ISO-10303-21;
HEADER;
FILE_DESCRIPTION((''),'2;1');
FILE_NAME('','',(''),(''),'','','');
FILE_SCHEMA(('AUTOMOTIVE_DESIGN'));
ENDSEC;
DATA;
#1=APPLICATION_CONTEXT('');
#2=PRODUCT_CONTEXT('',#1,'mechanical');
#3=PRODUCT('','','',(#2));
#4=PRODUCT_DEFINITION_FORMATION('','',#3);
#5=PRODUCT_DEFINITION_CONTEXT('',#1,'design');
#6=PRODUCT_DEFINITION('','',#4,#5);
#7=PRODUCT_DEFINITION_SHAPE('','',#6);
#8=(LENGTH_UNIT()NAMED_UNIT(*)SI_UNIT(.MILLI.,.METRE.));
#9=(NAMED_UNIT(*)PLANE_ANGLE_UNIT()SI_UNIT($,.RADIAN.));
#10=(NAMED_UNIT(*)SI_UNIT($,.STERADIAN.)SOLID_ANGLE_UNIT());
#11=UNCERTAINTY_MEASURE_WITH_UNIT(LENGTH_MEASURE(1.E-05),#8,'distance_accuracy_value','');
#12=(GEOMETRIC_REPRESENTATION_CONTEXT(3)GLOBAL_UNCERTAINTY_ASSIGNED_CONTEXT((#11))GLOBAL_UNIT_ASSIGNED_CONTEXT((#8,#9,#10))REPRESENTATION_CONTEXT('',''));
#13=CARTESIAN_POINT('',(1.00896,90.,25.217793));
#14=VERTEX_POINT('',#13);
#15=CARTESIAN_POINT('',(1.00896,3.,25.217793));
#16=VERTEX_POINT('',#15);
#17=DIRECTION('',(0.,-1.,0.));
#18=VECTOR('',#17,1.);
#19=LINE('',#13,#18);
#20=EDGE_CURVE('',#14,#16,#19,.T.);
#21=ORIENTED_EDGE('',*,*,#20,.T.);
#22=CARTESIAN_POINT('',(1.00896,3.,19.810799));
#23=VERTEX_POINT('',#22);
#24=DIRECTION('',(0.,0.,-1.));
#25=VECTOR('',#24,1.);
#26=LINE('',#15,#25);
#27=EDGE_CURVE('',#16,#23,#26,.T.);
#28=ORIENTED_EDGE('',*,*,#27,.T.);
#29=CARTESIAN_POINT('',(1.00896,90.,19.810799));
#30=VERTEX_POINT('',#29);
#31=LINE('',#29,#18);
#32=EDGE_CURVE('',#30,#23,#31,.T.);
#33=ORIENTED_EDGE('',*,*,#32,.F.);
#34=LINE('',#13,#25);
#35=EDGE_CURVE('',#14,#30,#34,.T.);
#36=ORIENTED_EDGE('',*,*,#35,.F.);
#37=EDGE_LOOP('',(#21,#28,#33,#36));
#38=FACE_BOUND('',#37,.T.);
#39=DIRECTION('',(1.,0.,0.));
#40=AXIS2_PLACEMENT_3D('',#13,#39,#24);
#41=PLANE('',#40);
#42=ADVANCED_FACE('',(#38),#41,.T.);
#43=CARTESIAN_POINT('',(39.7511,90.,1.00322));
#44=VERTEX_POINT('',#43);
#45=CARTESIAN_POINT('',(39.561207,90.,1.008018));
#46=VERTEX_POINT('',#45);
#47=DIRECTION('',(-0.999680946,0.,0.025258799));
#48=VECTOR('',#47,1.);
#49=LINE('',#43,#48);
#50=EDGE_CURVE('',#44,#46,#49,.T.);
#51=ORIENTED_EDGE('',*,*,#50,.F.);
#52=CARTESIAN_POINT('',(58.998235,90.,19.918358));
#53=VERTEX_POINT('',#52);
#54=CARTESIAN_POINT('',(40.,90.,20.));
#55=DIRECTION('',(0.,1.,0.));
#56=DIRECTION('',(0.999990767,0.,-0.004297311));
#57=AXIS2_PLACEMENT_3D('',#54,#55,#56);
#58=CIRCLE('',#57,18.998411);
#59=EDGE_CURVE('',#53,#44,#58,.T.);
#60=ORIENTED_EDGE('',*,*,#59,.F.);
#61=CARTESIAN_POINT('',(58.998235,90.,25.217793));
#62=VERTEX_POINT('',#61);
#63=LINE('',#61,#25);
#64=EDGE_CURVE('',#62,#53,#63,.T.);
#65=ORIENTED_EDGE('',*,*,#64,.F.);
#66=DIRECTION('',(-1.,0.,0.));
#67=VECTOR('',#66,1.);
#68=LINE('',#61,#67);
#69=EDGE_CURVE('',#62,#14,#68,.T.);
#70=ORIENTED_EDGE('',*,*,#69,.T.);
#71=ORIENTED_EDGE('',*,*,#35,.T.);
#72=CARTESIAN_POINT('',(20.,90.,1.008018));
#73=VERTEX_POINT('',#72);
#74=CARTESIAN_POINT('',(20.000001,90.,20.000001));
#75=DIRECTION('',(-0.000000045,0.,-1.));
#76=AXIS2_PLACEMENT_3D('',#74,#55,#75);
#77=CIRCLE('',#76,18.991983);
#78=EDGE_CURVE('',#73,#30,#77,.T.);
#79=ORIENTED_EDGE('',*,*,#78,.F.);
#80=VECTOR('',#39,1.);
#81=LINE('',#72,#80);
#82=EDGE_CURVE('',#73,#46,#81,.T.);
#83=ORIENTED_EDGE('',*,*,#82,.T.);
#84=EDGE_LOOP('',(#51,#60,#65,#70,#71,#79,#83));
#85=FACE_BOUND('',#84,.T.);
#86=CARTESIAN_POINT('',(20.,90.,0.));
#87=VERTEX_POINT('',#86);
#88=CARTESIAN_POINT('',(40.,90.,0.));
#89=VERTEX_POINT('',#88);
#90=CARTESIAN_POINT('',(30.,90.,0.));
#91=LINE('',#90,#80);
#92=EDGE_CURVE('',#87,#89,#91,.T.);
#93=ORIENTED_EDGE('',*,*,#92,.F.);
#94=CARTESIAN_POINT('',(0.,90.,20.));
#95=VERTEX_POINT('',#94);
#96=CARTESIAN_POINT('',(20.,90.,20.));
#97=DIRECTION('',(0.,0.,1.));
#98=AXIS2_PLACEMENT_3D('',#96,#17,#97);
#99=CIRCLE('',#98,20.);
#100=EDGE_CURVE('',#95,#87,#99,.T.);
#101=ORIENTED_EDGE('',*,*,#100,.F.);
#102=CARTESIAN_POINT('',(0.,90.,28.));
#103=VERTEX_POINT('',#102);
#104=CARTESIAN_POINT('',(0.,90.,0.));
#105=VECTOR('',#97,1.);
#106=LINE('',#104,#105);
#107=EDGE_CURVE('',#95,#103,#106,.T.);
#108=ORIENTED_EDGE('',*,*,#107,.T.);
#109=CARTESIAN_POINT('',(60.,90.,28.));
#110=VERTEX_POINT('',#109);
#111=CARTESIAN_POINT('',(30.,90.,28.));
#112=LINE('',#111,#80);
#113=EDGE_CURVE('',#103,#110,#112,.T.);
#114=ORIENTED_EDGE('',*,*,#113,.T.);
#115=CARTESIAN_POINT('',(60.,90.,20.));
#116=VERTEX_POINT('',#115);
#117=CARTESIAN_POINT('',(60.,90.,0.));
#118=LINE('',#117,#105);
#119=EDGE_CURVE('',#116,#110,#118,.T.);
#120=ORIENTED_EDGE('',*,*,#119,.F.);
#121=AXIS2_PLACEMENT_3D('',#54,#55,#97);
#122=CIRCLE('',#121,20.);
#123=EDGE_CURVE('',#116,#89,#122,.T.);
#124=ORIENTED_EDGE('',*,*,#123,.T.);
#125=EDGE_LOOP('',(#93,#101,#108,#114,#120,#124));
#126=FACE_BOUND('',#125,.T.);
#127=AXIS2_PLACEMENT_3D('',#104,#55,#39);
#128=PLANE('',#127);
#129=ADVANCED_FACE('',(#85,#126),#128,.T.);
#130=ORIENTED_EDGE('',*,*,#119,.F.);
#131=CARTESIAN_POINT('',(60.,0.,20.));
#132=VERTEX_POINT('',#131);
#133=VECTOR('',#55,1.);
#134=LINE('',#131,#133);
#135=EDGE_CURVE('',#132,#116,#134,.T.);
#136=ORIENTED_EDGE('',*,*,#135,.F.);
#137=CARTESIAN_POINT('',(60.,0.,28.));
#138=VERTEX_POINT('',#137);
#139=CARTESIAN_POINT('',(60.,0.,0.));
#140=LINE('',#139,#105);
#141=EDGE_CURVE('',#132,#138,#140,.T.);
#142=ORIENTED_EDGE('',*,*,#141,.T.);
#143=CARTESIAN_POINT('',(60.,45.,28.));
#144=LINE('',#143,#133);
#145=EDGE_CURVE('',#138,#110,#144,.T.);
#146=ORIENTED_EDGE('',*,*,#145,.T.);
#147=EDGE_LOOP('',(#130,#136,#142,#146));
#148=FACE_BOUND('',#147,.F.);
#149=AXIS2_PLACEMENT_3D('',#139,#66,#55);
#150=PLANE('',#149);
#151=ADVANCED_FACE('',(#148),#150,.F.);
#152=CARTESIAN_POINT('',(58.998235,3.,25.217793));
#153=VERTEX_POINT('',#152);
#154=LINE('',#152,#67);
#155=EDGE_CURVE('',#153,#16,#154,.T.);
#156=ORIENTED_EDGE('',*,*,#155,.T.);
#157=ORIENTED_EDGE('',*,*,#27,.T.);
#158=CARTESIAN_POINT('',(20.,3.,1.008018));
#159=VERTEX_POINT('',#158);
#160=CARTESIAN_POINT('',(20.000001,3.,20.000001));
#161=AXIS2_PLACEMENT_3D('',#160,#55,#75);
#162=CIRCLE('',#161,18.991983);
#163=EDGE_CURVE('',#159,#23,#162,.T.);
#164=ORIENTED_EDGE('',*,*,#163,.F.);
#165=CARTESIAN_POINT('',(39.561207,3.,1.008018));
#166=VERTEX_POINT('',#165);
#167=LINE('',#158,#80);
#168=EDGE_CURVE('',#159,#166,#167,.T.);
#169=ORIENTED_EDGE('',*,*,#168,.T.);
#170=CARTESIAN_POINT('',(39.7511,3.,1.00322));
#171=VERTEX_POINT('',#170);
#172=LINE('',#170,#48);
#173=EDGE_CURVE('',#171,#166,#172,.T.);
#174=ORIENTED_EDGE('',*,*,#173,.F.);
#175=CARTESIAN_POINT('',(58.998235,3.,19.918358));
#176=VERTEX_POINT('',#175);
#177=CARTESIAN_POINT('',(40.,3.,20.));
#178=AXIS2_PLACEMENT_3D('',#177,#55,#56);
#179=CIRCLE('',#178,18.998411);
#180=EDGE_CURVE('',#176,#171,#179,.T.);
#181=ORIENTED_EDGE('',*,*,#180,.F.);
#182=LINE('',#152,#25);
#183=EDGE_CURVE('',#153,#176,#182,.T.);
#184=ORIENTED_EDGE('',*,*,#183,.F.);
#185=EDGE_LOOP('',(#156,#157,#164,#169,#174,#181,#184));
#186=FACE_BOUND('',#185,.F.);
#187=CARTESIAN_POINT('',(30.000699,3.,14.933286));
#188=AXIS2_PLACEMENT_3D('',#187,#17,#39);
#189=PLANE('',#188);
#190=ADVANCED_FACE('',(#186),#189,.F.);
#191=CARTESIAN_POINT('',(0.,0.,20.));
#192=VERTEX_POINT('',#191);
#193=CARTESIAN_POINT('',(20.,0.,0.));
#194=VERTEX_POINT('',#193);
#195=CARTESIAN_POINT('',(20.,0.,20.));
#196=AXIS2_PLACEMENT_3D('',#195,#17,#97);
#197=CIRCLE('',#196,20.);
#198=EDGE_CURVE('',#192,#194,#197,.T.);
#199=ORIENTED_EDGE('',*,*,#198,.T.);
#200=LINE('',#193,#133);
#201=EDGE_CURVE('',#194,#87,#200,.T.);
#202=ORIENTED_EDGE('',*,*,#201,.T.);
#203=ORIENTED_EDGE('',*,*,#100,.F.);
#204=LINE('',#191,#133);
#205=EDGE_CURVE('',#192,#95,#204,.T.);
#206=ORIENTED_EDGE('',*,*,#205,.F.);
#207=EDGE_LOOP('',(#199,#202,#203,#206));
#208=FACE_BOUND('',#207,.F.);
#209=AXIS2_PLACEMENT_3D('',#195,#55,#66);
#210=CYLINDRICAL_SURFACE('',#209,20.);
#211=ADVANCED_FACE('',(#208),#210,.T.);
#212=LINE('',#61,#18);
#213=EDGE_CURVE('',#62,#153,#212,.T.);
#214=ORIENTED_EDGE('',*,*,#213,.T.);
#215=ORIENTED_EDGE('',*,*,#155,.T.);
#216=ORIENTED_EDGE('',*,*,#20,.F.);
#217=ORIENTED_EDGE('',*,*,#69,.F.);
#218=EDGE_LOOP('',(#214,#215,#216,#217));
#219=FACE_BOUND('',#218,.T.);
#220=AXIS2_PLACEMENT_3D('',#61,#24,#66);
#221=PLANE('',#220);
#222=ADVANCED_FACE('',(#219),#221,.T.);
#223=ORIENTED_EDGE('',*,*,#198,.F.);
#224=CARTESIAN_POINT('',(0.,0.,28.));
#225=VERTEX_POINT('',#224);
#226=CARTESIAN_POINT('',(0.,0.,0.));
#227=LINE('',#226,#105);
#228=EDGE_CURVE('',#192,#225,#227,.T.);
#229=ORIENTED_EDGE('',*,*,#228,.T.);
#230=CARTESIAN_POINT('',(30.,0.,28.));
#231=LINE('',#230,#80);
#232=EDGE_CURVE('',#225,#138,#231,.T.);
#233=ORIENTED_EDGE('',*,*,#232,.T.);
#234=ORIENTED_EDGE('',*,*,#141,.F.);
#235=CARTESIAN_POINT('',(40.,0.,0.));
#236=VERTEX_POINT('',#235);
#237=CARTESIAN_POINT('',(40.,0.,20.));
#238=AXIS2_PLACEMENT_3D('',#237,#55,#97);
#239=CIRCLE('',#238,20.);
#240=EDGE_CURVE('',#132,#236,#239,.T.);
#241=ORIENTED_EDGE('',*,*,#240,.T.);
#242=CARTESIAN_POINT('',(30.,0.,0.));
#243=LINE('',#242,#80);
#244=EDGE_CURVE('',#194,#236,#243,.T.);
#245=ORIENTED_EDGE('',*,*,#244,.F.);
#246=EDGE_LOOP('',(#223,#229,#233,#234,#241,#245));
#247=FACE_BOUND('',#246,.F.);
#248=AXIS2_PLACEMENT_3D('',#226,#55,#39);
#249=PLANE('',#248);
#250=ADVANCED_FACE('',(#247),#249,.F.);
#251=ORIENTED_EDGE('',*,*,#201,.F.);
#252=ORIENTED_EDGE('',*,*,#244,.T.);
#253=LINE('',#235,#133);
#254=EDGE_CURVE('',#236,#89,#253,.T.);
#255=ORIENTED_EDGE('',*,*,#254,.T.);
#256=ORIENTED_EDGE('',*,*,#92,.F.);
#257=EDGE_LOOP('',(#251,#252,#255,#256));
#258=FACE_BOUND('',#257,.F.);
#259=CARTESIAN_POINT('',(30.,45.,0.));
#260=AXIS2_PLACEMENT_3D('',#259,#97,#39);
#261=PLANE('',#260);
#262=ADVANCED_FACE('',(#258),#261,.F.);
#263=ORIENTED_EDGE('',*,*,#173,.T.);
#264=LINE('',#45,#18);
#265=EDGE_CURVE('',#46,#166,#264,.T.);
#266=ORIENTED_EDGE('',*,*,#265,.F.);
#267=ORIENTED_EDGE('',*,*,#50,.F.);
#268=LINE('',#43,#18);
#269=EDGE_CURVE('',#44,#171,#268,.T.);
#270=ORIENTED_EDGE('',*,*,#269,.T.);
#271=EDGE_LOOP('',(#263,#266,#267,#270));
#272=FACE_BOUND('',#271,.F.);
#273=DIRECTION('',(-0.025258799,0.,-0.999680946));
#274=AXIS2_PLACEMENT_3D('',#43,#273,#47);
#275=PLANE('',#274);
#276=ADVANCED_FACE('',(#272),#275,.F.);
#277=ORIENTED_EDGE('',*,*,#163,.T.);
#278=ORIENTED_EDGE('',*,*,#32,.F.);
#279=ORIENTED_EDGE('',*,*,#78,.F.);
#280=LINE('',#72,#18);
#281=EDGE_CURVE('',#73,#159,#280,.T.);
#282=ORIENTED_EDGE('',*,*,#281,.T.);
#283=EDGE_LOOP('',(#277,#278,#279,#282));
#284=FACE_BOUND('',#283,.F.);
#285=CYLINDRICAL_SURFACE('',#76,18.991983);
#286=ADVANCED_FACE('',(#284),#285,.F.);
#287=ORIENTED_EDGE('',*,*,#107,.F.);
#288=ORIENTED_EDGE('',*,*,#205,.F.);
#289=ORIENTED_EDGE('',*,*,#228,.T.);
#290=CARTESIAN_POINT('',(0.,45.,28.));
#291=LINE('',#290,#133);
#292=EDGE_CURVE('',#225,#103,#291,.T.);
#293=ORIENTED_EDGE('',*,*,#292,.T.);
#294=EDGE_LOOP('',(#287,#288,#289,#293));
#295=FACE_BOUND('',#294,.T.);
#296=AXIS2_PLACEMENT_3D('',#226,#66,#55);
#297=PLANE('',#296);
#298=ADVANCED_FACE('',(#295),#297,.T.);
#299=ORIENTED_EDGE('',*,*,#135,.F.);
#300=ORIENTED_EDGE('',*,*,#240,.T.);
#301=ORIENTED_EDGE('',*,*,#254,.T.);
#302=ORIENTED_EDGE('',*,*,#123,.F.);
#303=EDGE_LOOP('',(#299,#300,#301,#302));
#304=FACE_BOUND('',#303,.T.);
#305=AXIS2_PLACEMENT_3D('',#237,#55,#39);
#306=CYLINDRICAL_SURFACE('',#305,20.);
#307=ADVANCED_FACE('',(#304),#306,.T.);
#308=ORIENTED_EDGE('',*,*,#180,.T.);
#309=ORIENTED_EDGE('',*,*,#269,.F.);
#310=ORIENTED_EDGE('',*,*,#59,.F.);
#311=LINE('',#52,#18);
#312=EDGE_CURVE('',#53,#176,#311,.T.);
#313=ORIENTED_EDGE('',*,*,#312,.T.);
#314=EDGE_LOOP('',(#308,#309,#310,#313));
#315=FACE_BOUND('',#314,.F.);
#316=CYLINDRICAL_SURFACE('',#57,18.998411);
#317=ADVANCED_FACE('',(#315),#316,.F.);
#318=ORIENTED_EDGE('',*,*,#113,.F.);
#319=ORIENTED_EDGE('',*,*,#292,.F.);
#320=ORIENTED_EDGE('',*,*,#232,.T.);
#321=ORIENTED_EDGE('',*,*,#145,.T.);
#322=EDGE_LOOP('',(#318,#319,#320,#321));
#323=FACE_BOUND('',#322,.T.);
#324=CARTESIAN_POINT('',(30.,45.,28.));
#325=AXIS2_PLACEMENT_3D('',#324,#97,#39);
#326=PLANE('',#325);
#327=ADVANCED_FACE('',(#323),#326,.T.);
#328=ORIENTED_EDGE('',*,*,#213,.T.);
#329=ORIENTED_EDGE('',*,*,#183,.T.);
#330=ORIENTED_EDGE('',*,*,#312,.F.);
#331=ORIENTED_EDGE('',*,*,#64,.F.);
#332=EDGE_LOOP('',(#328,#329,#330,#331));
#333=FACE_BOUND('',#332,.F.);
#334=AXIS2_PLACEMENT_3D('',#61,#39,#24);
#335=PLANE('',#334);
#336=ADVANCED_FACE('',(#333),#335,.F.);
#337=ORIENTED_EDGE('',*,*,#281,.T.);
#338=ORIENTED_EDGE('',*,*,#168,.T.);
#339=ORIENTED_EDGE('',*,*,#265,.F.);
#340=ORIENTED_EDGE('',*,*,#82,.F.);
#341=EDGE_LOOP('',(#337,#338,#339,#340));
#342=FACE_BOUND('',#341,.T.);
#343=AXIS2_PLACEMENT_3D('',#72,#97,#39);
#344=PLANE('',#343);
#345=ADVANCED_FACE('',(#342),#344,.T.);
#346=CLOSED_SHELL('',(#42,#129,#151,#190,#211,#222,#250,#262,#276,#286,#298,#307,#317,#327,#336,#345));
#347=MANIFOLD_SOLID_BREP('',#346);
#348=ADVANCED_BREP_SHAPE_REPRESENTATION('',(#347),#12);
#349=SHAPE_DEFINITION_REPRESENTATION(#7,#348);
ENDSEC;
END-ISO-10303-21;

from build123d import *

# Parameters (mm, degrees)
SKETCH015_W     = 60
SKETCH015_H     = 90
PAD007_DEPTH    = 28
FILLET_R        = 20
POCKET008_DEPTH = 87


with BuildPart() as part:
    # Sketch015 (on XY_Plane007 of Origin014) → Pad007 (new body)
    with BuildSketch(Plane.XY):
        with Locations((30, 45)):
            Rectangle(SKETCH015_W, SKETCH015_H)
    extrude(amount=PAD007_DEPTH)

    # Fillet
    fillet_edges = [part.edges().sort_by_distance(p)[0] for p in [
        (0, 45, 0),
        (60, 45, 0),
    ]]
    fillet(fillet_edges, radius=FILLET_R)

    # Sketch017 (on Face8 of Fillet) → Pocket008 (cut)
    with BuildSketch(Plane(origin=(0, 90, 0), x_dir=(-1, 0, 0), z_dir=(0, 1, 0))):
        with BuildLine():
            Line((-58.998235, 25.217793), (-1.00896, 25.217793))
            Line((-1.00896, 25.217793), (-1.00896, 19.810799))
            ThreePointArc((-20, 1.008018), (-6.637701, 6.503914), (-1.00896, 19.810799))
            Line((-20, 1.008018), (-39.561207, 1.008018))
            Line((-39.7511, 1.00322), (-39.561207, 1.008018))
            ThreePointArc((-58.998235, 19.918358), (-53.316531, 6.449738), (-39.7511, 1.00322))
            Line((-58.998235, 25.217793), (-58.998235, 19.918358))
        make_face()
    extrude(amount=-POCKET008_DEPTH, mode=Mode.SUBTRACT)


solid = part.part
